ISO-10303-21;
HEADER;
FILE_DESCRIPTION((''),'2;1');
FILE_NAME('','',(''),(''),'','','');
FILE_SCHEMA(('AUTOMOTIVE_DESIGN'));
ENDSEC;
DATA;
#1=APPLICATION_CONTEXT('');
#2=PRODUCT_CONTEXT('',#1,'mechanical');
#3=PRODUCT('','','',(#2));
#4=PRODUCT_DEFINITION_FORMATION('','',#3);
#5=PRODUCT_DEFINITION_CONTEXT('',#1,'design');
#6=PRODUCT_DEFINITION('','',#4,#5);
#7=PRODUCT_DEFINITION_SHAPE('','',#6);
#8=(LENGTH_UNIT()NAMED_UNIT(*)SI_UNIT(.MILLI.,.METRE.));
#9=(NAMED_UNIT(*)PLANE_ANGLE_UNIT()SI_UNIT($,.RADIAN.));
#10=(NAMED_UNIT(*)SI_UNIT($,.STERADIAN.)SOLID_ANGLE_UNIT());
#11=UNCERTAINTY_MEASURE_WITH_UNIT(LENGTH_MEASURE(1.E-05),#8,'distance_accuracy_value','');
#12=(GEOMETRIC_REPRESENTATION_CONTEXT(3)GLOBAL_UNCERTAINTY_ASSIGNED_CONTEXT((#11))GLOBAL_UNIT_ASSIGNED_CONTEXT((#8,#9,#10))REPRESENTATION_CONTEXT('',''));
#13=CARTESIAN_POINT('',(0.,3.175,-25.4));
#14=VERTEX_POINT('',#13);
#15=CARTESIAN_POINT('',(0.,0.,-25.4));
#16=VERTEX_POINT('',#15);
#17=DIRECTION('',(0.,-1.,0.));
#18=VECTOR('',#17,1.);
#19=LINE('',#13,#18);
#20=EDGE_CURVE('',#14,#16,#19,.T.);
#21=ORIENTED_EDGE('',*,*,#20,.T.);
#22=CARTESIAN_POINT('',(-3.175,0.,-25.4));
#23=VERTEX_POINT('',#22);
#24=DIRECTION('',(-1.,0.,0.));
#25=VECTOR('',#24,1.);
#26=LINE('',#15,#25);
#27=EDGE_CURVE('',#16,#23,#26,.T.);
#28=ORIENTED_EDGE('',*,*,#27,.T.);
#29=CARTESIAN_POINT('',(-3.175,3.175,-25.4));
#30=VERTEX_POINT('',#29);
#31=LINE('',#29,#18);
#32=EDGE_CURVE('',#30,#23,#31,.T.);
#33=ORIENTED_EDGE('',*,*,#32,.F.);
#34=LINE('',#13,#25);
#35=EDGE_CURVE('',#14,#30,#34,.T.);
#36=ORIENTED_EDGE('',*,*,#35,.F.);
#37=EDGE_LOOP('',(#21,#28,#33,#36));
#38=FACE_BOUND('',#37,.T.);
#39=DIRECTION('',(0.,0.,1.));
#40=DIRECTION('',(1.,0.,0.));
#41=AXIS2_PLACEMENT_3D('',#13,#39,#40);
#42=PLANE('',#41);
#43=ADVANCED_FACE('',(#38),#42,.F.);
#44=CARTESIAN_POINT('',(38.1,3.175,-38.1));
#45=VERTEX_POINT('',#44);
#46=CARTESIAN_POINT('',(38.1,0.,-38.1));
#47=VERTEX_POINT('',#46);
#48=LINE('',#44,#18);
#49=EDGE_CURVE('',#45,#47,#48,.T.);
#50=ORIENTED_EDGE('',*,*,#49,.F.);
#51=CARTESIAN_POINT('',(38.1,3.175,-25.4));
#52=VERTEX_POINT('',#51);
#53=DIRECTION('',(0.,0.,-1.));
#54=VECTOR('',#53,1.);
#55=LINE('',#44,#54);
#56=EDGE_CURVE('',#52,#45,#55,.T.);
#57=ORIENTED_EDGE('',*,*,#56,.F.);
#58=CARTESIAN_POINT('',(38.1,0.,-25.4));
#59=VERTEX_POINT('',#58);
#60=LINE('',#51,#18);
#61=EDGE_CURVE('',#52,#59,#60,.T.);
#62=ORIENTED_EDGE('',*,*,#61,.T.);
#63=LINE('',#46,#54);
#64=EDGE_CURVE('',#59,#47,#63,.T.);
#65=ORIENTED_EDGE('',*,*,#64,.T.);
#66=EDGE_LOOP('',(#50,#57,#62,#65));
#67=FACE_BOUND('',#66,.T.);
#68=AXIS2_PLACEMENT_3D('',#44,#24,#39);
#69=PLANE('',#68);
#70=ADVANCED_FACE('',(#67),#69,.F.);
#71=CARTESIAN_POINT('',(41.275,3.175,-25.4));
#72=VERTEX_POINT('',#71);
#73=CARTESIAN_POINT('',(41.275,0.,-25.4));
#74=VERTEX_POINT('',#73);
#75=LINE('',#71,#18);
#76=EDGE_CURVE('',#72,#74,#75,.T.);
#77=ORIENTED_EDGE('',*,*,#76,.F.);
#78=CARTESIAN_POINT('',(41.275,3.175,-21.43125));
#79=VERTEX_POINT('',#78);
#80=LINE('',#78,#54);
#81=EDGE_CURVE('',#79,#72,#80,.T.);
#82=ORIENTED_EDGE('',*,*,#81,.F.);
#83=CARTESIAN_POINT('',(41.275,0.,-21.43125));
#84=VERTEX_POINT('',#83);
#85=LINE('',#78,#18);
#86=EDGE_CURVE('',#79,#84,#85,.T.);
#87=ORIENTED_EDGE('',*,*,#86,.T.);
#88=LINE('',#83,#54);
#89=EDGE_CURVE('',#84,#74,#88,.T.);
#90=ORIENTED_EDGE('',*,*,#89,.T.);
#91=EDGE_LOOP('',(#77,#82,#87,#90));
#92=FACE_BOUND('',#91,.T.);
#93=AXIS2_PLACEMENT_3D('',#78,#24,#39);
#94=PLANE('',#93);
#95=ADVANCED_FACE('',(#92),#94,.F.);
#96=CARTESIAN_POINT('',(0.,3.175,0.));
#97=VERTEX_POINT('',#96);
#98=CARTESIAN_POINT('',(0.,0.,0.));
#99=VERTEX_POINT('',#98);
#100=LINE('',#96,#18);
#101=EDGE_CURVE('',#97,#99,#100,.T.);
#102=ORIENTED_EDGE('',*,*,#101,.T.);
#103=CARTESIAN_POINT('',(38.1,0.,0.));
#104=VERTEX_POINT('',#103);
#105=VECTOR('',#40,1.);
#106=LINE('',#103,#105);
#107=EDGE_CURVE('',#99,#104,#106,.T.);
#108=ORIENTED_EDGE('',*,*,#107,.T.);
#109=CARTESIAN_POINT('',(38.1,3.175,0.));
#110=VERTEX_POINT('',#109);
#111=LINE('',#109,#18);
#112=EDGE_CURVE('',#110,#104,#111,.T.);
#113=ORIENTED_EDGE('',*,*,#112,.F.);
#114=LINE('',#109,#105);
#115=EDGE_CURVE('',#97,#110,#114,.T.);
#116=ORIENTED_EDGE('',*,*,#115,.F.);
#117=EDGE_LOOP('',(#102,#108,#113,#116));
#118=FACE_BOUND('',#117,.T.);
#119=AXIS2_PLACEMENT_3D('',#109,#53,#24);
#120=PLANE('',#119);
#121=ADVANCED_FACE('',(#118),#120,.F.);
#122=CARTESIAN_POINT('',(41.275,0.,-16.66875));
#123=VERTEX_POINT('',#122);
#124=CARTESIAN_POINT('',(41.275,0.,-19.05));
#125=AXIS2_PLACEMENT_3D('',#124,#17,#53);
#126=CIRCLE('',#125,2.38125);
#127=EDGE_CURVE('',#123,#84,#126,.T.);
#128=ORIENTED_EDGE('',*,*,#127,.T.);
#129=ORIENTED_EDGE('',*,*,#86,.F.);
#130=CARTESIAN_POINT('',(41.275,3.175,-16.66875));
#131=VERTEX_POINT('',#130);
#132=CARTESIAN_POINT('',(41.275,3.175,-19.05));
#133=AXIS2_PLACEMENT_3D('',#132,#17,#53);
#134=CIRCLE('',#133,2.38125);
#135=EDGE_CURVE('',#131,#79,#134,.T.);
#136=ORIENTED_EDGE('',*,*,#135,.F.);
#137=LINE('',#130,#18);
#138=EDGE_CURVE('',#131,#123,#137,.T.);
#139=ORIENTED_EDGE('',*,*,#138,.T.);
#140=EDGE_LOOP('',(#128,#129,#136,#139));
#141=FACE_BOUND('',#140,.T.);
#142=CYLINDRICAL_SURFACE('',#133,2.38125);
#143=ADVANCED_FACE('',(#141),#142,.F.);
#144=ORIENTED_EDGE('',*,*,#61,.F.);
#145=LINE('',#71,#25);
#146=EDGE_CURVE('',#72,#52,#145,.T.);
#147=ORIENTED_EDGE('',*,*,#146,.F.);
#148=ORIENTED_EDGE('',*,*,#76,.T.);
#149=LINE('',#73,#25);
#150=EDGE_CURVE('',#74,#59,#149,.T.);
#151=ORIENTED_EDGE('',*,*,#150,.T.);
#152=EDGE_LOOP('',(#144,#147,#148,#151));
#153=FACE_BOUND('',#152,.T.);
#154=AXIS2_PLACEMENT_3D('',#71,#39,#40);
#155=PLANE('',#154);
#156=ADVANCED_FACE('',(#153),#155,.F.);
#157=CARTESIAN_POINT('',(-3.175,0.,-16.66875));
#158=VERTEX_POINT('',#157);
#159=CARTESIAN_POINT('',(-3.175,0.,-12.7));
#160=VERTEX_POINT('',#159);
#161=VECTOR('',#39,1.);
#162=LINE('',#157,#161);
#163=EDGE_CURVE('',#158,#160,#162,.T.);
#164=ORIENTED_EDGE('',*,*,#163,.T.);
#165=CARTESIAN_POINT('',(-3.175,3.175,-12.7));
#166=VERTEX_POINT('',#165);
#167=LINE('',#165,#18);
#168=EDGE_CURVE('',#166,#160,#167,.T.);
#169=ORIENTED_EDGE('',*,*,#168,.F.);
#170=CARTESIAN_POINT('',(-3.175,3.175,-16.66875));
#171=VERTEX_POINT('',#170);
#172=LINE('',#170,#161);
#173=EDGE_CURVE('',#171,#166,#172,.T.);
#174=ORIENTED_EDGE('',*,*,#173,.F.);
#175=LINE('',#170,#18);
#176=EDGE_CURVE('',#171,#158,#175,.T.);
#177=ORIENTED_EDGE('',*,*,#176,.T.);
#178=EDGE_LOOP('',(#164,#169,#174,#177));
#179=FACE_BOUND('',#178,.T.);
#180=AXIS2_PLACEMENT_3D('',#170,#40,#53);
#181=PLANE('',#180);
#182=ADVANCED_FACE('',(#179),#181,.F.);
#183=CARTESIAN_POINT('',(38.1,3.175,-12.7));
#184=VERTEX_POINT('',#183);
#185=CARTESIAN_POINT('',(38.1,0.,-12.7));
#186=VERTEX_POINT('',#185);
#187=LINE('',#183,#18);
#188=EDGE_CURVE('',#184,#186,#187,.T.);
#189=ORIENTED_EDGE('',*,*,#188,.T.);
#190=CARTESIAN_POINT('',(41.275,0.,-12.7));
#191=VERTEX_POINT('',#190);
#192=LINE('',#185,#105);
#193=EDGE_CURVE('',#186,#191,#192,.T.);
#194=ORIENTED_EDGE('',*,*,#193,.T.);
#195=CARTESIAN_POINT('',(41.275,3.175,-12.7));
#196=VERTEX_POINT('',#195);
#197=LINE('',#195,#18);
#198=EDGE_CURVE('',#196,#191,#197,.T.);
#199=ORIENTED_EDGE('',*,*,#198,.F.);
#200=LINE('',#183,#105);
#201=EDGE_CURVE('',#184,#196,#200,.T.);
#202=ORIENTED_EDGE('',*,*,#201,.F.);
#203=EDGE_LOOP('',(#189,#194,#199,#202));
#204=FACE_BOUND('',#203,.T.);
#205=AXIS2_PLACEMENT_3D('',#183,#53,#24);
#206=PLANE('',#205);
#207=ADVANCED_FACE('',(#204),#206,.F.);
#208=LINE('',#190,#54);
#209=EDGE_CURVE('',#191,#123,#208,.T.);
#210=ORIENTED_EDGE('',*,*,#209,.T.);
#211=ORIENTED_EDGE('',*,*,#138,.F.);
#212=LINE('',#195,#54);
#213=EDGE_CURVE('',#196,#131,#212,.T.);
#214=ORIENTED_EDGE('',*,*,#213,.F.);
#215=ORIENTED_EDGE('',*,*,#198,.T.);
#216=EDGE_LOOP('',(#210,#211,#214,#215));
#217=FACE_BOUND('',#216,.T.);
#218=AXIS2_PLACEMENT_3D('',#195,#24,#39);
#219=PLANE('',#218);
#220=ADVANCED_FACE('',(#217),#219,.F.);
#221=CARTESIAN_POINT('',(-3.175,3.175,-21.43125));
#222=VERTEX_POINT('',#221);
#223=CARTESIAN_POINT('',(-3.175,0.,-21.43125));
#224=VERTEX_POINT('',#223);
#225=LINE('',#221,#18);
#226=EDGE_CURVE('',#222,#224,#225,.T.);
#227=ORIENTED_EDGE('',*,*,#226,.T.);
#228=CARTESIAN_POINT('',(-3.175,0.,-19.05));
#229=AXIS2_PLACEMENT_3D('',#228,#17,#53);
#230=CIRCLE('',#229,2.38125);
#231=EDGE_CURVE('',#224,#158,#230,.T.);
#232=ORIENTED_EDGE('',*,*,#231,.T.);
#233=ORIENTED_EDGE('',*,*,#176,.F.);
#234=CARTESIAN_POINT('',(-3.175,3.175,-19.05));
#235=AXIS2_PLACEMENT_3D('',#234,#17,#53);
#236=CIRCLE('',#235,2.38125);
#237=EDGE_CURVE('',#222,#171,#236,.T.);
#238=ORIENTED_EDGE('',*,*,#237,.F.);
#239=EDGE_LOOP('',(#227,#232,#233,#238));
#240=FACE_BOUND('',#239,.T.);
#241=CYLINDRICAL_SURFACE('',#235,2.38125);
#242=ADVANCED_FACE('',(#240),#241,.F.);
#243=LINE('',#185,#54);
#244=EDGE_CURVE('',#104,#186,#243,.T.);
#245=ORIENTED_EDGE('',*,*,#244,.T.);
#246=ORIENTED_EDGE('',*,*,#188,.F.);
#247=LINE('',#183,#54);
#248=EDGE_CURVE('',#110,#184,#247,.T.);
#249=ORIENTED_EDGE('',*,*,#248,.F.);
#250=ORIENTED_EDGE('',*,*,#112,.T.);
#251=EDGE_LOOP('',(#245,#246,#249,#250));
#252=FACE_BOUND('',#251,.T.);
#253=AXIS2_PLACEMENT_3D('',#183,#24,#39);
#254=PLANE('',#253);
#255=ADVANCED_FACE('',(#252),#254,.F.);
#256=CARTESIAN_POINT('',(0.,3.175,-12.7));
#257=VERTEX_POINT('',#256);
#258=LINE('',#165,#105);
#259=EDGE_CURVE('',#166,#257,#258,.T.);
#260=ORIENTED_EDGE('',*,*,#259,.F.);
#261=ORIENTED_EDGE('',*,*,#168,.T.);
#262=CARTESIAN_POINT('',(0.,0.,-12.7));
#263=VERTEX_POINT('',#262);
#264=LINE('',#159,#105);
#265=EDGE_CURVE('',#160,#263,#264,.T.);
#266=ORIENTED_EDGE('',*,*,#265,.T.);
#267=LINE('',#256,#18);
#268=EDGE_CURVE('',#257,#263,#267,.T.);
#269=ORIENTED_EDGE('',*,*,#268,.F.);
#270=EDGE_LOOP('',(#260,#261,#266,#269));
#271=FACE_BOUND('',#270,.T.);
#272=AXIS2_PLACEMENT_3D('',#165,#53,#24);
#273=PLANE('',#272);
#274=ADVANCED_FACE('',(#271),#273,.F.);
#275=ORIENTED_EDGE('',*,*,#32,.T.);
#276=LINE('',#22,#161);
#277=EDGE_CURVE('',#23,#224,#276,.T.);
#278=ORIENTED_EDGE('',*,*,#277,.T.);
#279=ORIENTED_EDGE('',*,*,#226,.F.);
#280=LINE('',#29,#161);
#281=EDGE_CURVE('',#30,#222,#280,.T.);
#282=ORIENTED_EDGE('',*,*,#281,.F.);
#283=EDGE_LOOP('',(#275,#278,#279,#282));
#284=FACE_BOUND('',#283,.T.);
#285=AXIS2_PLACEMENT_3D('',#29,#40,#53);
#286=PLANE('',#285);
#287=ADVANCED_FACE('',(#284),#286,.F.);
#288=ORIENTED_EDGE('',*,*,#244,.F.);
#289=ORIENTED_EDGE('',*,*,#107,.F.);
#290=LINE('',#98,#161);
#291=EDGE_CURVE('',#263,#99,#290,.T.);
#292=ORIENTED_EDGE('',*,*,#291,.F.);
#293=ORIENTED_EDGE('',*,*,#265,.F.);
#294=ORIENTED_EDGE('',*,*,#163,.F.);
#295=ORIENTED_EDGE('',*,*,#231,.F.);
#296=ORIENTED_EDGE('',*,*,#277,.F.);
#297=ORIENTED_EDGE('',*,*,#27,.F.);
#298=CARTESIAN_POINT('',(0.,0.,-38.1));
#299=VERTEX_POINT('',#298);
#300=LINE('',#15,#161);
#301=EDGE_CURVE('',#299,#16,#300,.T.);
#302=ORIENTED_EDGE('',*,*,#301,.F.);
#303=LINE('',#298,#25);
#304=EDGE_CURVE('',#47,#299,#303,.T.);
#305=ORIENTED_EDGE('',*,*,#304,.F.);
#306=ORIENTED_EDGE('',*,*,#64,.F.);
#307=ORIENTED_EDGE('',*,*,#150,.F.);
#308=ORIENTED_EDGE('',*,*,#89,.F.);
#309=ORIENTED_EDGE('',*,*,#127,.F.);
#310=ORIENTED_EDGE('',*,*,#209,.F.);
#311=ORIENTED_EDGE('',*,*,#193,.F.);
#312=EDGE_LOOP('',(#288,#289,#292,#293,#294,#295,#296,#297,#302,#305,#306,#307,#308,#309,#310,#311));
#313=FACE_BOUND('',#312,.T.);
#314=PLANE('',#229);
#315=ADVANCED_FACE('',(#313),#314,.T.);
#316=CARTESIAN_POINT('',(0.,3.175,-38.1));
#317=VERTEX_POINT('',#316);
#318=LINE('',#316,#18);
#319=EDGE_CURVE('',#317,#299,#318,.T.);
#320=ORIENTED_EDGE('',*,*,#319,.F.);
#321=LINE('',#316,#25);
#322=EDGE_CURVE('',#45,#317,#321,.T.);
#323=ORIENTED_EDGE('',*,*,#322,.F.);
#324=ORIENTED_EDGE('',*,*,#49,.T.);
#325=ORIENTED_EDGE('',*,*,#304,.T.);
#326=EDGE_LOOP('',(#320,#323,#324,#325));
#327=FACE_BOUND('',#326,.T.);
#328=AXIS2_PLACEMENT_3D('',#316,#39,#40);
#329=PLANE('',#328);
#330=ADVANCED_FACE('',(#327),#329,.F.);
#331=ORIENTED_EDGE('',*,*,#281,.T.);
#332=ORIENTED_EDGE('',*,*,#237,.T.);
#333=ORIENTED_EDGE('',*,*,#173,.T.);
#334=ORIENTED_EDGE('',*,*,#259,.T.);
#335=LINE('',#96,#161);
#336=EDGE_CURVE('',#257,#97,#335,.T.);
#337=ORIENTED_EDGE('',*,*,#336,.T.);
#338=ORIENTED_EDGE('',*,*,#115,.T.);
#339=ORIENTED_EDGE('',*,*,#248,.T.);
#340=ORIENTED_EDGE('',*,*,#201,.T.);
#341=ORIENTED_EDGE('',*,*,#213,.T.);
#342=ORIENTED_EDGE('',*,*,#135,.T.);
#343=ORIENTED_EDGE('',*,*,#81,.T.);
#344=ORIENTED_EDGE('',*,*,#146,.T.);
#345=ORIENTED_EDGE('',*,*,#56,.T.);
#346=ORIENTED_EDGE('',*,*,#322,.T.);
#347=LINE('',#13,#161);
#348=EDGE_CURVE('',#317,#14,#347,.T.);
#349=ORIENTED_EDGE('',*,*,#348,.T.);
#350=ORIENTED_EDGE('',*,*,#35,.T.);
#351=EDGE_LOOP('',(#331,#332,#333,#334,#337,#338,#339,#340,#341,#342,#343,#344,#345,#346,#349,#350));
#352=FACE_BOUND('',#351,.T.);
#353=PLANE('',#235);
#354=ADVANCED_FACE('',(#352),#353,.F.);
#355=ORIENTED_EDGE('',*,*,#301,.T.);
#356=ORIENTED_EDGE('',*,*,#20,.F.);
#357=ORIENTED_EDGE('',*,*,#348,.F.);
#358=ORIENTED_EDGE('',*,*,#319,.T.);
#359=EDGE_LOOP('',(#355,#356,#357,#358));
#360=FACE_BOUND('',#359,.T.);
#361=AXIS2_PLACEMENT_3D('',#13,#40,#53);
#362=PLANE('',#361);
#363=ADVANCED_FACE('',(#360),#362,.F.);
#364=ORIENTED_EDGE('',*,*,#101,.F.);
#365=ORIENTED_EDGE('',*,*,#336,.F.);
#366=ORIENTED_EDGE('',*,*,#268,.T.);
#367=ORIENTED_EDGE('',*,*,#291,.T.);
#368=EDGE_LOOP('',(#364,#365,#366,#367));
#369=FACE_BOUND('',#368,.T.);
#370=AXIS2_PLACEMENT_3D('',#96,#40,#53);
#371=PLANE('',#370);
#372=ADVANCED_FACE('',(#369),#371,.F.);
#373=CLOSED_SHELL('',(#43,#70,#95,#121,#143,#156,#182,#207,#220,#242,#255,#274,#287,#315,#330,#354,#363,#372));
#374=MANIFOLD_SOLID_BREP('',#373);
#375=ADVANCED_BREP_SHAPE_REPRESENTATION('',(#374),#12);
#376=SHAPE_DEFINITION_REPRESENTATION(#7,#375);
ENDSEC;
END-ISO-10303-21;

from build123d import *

# Parameters (mm, degrees)
BOSS_EXTRUDE1_DEPTH = 3.175


with BuildPart() as part:
    # Sketch1 → Boss-Extrude1 (new body)
    with BuildSketch(Plane(origin=(0, 0, 0), x_dir=(1, 0, 0), z_dir=(0, 1, 0))):
        with BuildLine():
            Line((0, 0), (0, 12.7))
            Line((0, 12.7), (-3.175, 12.7))
            Line((-3.175, 12.7), (-3.175, 16.66875))
            ThreePointArc((-3.175, 16.66875), (-0.79375, 19.05), (-3.175, 21.43125))
            Line((-3.175, 21.43125), (-3.175, 25.4))
            Line((-3.175, 25.4), (0, 25.4))
            Line((0, 25.4), (0, 38.1))
            Line((0, 38.1), (38.1, 38.1))
            Line((38.1, 38.1), (38.1, 25.4))
            Line((38.1, 25.4), (41.275, 25.4))
            Line((41.275, 25.4), (41.275, 21.43125))
            ThreePointArc((41.275, 21.43125), (38.89375, 19.05), (41.275, 16.66875))
            Line((41.275, 16.66875), (41.275, 12.7))
            Line((41.275, 12.7), (38.1, 12.7))
            Line((38.1, 12.7), (38.1, 0))
            Line((38.1, 0), (0, 0))
        make_face()
    extrude(amount=BOSS_EXTRUDE1_DEPTH)


solid = part.part
